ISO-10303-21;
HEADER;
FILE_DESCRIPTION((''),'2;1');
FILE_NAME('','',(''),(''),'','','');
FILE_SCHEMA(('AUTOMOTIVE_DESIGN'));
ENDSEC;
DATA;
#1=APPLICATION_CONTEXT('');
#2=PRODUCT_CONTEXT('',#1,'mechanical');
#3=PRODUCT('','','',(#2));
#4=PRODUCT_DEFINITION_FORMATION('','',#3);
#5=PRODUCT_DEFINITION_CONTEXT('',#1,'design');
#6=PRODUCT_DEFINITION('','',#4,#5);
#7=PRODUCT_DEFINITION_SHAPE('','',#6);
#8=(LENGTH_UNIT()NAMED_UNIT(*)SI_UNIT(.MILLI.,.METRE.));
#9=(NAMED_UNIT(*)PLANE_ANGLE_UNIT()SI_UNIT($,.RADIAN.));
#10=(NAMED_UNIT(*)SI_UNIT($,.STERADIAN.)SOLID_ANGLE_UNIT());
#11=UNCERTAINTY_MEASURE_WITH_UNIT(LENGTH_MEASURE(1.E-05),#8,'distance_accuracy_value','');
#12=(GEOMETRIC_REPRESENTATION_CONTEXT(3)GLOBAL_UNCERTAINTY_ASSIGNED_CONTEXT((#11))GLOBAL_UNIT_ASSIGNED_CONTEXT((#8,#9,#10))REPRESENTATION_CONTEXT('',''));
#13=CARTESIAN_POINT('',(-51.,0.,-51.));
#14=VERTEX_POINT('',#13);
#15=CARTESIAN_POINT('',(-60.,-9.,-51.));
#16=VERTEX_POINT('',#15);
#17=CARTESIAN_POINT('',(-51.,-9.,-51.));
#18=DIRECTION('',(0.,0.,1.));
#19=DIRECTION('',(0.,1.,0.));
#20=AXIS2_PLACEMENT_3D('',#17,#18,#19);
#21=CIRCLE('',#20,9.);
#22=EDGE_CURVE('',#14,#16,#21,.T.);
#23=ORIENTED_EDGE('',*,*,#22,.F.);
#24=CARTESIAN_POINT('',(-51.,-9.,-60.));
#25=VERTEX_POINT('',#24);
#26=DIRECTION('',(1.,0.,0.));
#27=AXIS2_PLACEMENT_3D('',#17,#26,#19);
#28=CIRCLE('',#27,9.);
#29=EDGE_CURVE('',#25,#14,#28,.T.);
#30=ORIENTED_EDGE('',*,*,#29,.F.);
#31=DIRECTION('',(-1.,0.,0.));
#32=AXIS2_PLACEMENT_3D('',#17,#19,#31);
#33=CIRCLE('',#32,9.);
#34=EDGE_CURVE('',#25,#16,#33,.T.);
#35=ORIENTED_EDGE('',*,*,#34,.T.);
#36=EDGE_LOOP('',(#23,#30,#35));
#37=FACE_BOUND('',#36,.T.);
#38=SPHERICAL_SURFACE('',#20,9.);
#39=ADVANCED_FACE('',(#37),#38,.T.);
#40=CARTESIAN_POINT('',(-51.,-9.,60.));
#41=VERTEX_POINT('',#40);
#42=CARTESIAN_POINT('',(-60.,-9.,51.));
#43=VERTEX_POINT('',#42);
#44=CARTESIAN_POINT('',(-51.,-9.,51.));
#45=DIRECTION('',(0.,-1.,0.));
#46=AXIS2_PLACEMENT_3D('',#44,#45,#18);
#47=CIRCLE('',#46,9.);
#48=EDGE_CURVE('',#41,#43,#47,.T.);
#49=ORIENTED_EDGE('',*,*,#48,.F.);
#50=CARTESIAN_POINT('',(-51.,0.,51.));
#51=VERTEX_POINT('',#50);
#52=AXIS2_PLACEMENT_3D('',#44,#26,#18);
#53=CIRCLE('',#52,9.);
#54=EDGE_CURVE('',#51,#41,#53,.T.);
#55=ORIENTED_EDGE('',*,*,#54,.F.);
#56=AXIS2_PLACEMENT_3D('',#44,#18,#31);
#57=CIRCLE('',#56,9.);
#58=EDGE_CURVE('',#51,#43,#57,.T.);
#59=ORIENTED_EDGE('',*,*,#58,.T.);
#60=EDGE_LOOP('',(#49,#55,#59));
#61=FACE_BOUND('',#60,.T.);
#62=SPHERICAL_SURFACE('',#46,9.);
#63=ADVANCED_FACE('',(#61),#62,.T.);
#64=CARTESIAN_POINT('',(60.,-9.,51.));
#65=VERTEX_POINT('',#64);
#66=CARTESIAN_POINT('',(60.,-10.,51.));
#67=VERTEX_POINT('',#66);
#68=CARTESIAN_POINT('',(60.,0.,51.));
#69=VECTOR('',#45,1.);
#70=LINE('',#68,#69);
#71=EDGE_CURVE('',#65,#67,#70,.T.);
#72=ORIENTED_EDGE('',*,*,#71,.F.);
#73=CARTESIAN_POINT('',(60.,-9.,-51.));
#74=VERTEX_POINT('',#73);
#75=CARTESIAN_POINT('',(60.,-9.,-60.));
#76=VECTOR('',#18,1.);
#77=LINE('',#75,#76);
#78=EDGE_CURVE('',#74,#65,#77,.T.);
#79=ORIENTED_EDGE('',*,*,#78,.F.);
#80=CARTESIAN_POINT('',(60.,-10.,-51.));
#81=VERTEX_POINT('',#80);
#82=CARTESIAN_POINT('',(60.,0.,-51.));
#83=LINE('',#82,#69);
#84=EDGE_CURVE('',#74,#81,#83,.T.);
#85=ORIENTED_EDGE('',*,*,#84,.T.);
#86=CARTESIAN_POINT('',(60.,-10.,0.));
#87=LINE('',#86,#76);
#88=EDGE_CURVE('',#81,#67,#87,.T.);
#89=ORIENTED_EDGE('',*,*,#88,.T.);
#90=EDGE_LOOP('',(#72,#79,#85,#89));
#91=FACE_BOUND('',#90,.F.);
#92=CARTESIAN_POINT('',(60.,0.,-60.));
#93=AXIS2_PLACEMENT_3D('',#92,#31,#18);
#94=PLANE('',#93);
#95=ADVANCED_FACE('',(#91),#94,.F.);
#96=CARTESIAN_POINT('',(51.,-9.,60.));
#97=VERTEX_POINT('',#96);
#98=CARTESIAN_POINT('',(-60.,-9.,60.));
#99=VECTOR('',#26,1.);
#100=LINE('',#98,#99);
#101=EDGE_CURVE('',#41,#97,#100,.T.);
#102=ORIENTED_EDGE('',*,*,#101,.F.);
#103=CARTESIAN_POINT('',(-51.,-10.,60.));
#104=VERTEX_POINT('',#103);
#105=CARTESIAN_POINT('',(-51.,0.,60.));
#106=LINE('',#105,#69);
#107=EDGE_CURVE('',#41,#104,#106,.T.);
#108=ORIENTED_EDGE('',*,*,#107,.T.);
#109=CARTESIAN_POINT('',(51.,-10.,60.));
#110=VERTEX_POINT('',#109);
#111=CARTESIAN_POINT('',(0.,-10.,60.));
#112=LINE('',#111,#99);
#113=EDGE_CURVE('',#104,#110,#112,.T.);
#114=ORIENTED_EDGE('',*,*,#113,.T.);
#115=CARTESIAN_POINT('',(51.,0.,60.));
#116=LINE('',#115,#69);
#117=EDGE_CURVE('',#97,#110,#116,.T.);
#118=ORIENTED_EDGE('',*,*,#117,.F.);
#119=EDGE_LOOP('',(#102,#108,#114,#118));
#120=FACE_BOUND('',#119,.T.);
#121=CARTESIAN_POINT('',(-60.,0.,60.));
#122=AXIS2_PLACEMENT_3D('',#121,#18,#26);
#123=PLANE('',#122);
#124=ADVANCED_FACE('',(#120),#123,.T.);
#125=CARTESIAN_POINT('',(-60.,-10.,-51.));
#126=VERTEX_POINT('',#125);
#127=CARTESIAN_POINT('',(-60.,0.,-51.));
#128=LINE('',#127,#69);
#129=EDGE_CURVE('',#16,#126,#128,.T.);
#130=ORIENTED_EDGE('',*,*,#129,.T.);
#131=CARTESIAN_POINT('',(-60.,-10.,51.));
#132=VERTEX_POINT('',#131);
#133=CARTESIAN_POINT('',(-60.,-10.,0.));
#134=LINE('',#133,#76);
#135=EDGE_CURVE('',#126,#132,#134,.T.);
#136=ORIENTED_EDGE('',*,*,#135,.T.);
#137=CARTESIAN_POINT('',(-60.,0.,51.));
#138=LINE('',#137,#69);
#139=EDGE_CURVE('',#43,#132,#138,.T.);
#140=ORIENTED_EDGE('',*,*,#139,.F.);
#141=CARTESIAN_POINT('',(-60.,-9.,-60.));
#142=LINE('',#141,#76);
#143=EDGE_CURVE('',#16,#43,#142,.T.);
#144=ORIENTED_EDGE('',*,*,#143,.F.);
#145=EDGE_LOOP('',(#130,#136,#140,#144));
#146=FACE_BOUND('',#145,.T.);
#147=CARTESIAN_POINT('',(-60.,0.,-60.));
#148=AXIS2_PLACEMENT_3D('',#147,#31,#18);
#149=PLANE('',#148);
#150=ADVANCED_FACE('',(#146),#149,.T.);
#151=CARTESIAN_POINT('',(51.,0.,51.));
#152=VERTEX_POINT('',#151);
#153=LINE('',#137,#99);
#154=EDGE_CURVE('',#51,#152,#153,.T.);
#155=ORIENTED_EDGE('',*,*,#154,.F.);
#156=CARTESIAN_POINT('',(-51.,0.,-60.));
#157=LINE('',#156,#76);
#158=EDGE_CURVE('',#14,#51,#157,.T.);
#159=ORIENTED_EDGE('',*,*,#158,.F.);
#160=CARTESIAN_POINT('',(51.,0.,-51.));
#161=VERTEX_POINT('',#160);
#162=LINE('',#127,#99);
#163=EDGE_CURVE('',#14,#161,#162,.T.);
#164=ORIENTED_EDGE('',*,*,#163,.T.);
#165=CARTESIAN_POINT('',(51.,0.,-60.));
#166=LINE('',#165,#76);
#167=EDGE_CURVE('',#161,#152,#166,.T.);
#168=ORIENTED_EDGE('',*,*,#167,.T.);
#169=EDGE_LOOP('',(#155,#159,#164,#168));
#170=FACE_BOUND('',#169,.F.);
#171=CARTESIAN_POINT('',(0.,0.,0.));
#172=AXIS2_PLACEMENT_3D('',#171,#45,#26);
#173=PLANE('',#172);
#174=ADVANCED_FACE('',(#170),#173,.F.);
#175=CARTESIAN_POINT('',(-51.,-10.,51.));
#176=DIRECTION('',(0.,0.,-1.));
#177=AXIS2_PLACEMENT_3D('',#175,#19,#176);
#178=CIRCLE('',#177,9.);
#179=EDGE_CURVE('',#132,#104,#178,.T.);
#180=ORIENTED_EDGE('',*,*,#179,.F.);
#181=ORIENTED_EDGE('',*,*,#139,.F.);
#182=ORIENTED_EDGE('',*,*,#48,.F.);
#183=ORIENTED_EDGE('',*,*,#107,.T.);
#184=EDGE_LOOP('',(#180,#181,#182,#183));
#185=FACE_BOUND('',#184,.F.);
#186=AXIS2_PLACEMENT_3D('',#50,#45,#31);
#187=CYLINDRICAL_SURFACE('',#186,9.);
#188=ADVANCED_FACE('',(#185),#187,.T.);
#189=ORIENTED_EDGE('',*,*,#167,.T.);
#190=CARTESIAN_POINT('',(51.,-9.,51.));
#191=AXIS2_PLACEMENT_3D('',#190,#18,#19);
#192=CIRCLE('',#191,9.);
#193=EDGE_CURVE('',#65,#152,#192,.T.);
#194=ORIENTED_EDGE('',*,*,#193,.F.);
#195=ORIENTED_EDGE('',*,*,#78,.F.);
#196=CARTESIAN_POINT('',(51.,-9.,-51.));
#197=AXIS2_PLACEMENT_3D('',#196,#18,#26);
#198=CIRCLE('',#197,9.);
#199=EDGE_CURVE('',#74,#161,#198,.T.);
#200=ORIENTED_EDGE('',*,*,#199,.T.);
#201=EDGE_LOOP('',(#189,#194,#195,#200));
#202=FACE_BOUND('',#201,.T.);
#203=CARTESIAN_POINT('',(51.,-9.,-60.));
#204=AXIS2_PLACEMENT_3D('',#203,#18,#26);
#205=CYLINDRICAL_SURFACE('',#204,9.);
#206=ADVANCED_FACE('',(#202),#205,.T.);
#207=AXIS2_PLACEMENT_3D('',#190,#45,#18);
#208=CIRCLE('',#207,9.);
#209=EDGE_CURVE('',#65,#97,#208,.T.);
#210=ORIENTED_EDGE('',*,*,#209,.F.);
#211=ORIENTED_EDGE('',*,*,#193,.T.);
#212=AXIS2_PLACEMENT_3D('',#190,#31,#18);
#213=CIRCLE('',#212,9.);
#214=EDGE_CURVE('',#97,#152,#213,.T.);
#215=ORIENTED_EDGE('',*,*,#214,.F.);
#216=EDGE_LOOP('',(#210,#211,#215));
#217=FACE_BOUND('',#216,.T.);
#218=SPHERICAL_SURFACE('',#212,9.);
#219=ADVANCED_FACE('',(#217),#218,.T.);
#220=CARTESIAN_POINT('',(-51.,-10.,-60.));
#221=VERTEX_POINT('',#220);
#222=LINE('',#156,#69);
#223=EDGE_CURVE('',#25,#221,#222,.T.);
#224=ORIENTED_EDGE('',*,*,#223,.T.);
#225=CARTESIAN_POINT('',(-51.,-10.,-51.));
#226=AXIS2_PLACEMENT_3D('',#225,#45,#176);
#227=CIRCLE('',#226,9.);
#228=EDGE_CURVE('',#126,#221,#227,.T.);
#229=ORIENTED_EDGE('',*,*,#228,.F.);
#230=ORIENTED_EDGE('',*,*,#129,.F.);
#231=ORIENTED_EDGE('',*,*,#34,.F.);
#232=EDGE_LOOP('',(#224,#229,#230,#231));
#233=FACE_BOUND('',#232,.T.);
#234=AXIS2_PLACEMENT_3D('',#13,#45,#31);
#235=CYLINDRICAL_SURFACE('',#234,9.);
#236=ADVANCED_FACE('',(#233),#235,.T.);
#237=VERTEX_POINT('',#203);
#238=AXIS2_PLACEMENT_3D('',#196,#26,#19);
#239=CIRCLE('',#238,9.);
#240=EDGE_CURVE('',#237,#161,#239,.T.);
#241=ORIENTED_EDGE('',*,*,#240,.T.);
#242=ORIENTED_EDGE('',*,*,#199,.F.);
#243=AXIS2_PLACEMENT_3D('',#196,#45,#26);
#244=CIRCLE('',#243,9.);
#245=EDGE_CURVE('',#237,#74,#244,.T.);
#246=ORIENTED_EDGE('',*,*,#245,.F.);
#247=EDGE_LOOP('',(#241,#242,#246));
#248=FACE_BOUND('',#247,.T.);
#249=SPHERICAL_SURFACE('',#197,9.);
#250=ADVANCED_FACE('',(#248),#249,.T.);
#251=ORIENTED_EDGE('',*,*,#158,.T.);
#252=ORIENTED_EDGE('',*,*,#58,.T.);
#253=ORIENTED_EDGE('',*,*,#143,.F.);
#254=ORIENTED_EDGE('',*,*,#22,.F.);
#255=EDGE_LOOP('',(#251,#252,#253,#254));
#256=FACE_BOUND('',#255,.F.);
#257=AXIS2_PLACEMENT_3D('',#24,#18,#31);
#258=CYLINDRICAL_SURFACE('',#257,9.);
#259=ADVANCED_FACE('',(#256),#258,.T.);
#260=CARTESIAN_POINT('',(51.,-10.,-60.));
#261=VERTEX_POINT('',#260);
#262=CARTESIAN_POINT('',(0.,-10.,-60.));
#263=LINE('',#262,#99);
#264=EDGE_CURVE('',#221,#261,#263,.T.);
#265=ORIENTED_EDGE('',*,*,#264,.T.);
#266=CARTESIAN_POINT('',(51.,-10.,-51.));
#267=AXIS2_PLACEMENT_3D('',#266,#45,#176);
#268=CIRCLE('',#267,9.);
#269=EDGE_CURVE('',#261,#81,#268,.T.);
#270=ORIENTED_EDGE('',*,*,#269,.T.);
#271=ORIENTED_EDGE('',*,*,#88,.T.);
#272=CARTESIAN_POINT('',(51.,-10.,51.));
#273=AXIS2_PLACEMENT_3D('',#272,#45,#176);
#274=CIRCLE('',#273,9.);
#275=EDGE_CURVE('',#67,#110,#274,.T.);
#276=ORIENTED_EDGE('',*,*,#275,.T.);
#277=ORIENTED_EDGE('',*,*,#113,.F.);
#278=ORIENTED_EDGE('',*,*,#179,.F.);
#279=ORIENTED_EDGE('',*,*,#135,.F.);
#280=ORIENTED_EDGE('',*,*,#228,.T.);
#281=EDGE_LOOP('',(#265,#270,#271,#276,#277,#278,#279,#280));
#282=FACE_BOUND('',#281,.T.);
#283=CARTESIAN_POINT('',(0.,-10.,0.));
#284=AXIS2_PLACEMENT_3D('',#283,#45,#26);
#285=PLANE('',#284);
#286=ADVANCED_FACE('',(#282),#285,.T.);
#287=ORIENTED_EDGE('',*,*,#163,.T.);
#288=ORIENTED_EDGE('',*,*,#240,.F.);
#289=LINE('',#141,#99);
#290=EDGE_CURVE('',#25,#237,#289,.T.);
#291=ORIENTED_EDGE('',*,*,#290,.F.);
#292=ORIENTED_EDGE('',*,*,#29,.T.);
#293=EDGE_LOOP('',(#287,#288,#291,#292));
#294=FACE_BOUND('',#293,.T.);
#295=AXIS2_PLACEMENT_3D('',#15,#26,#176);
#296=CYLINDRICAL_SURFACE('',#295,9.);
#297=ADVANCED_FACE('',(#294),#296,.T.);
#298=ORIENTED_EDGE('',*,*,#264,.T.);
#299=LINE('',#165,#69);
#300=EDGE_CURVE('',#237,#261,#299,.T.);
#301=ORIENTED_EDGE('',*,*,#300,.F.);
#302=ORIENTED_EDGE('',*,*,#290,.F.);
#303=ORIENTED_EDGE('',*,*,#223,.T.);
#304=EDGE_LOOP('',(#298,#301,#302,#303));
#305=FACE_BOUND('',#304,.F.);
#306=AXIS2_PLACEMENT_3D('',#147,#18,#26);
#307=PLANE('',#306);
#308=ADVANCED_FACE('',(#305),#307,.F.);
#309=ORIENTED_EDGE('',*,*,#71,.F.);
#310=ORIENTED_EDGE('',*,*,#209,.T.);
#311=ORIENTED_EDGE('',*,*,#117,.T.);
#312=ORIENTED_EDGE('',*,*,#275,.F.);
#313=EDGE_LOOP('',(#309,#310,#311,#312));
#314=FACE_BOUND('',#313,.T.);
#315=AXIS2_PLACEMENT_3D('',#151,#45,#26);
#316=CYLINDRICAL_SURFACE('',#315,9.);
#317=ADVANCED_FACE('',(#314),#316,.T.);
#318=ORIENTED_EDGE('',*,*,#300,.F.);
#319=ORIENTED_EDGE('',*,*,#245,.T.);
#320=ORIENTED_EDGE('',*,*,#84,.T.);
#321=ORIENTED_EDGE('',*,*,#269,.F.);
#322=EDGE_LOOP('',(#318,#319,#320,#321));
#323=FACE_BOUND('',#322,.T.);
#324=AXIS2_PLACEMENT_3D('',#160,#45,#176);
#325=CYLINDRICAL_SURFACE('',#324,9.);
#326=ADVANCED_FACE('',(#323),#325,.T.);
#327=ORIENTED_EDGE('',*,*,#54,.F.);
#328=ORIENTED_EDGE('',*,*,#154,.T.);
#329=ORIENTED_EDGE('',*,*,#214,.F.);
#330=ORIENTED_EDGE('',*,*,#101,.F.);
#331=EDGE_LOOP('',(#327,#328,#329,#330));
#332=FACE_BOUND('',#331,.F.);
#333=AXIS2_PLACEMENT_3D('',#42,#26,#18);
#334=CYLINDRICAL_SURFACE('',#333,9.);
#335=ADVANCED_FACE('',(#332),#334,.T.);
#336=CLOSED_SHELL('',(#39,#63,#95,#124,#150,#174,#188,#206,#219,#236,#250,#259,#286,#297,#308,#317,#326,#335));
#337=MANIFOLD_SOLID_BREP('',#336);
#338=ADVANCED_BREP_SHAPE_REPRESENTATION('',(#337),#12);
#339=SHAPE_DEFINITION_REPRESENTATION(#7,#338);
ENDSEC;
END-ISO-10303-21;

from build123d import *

# Parameters (mm, degrees)
SKETCH_W  = 120
SKETCH_H  = 120
PAD_DEPTH = 10
FILLET_R  = 9


with BuildPart() as part:
    # Sketch → Pad (new body)
    with BuildSketch(Plane.XZ):
        Rectangle(SKETCH_W, SKETCH_H)
    extrude(amount=PAD_DEPTH)

    # Fillet
    fillet_edges = [part.edges().sort_by_distance(p)[0] for p in [
        (-60, -5, 60),
        (0, 0, 60),
        (-60, 0, 0),
        (60, -5, 60),
        (60, 0, 0),
        (60, -5, -60),
        (0, 0, -60),
        (-60, -5, -60),
    ]]
    fillet(fillet_edges, radius=FILLET_R)


solid = part.part
